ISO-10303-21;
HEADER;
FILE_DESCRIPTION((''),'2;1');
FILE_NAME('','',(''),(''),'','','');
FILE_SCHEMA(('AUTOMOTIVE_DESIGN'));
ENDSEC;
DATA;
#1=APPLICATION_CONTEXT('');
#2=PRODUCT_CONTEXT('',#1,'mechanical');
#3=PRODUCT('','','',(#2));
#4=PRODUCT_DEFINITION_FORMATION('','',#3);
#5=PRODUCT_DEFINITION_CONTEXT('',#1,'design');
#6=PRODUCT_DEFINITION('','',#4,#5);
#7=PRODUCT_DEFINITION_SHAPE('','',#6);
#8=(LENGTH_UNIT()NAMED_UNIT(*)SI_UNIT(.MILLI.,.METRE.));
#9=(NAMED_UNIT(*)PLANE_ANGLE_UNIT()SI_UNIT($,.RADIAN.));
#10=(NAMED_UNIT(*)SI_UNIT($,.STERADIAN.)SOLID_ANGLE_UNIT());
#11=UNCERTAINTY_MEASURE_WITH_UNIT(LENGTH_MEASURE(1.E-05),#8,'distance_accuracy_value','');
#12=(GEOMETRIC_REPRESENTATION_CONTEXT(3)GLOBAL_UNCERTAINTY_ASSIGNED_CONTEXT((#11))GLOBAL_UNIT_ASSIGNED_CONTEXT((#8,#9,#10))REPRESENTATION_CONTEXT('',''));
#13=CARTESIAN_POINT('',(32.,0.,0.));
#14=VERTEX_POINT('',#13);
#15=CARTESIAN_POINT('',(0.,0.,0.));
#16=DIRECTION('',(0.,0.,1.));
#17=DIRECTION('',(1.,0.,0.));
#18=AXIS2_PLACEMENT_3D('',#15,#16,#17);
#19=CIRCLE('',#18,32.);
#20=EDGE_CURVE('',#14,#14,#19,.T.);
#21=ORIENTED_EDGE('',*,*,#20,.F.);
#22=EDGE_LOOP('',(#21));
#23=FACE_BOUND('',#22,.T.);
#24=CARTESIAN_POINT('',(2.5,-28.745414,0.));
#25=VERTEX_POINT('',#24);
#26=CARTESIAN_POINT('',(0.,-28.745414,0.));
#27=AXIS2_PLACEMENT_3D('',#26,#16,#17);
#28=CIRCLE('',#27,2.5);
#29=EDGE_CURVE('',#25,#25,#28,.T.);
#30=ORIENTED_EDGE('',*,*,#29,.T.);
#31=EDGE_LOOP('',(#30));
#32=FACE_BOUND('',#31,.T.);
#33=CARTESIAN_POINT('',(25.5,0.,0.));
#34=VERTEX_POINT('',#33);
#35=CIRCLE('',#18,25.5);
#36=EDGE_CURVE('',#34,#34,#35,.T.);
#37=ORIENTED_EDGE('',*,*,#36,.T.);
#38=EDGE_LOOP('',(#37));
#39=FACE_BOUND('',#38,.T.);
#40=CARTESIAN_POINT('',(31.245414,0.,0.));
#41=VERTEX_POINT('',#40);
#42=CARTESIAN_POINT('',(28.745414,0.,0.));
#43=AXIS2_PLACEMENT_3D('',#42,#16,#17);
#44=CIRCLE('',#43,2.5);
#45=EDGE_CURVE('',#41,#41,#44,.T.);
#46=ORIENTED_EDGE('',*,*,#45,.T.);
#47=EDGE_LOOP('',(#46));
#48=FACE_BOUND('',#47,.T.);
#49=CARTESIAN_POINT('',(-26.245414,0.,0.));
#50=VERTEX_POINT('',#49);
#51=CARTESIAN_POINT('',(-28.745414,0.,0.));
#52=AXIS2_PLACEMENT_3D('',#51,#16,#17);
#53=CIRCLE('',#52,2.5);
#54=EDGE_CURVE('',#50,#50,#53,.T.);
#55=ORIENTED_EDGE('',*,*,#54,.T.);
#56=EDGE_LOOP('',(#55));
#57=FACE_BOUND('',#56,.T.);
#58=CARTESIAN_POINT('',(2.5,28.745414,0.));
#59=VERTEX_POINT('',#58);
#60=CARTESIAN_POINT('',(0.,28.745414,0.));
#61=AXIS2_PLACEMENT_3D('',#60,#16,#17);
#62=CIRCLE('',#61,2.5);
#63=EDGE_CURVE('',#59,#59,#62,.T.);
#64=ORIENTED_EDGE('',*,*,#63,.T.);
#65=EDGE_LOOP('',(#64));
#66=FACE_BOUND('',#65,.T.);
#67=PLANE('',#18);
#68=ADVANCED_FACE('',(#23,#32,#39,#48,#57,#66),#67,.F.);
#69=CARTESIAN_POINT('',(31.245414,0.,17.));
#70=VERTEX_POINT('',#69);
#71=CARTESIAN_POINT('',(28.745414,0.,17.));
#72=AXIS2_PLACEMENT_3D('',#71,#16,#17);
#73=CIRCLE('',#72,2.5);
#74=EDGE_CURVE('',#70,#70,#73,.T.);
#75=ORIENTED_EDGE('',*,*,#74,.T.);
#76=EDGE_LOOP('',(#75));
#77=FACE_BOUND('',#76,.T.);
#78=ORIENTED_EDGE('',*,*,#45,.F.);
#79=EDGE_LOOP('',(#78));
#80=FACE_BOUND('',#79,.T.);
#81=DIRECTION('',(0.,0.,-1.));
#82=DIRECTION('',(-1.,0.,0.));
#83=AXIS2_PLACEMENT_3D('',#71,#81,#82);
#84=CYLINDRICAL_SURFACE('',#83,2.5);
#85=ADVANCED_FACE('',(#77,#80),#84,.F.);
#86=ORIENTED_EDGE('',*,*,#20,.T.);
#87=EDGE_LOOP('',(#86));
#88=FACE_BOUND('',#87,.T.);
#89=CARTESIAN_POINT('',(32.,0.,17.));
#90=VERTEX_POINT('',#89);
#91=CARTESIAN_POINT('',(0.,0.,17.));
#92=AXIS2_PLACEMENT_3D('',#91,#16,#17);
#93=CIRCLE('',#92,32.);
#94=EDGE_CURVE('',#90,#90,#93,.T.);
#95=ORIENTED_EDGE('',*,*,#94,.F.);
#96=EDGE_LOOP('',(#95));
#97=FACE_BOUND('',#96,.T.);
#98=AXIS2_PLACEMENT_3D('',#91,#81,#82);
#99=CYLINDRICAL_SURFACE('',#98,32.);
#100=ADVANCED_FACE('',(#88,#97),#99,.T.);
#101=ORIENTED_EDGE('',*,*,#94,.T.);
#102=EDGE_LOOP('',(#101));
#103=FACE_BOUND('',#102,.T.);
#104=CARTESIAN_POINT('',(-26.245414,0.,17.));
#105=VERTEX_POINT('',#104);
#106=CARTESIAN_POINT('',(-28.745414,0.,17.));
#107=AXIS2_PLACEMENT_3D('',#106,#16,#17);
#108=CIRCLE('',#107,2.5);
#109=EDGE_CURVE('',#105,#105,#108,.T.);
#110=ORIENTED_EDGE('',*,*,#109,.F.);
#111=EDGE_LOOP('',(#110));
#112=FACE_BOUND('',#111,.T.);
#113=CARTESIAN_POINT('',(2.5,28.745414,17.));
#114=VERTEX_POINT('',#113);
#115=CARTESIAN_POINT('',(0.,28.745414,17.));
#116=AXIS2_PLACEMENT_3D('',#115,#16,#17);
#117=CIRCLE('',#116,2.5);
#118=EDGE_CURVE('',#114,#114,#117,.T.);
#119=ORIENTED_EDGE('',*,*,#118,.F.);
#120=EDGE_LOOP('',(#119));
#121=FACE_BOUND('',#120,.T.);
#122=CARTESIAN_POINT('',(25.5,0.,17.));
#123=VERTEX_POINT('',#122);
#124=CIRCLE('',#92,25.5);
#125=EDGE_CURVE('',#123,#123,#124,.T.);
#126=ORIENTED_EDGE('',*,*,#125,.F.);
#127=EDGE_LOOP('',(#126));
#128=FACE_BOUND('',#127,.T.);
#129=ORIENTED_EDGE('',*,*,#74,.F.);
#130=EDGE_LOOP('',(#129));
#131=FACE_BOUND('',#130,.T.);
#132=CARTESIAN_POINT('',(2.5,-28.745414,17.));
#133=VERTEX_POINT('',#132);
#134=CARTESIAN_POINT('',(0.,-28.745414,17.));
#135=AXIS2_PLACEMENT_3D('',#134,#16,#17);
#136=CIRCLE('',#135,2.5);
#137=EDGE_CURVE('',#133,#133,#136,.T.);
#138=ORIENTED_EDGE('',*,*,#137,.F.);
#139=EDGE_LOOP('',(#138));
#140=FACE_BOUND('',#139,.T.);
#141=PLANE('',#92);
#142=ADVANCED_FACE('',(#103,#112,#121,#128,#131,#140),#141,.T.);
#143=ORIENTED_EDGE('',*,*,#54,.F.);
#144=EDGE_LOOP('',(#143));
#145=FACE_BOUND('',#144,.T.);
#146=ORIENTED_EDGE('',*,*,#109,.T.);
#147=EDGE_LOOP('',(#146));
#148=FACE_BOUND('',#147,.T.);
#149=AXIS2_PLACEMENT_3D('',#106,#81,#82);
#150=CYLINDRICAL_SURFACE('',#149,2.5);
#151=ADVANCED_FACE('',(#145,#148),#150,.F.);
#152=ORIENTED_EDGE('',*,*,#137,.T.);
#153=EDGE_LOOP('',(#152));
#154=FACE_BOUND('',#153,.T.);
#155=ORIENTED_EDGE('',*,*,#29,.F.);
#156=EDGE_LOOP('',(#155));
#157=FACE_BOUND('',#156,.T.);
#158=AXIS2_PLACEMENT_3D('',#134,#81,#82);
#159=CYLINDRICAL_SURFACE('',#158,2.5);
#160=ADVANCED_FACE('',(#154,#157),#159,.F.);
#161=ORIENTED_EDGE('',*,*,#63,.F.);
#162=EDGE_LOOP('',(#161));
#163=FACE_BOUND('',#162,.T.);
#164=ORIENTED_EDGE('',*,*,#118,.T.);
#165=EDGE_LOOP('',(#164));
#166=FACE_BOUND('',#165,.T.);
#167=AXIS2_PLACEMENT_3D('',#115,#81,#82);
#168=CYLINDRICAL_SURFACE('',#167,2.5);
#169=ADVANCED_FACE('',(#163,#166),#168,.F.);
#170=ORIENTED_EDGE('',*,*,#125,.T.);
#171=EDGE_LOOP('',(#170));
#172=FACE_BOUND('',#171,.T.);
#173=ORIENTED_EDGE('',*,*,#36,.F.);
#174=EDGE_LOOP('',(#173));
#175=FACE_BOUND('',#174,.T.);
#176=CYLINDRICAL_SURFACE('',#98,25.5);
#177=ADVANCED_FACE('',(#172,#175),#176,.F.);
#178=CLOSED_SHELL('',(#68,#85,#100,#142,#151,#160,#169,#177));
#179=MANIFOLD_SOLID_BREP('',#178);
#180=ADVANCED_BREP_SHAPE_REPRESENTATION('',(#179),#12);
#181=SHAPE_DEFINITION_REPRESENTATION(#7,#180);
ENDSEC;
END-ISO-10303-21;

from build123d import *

# Parameters (mm, degrees)
SKETCH1_R           = 32
SKETCH1_R_2         = 25.5
SKETCH1_R_3         = 2.5
BOSS_EXTRUDE1_DEPTH = 17


with BuildPart() as part:
    # Sketch1 → Boss-Extrude1 (new body)
    with BuildSketch(Plane.XY):
        Circle(SKETCH1_R)
        Circle(SKETCH1_R_2, mode=Mode.SUBTRACT)
        with Locations((0, 28.745413537)):
            Circle(SKETCH1_R_3, mode=Mode.SUBTRACT)
        with Locations((28.745413537, 0)):
            Circle(SKETCH1_R_3, mode=Mode.SUBTRACT)
        with Locations((0, -28.745413537)):
            Circle(SKETCH1_R_3, mode=Mode.SUBTRACT)
        with Locations((-28.745413537, 0)):
            Circle(SKETCH1_R_3, mode=Mode.SUBTRACT)
    extrude(amount=BOSS_EXTRUDE1_DEPTH)


solid = part.part
